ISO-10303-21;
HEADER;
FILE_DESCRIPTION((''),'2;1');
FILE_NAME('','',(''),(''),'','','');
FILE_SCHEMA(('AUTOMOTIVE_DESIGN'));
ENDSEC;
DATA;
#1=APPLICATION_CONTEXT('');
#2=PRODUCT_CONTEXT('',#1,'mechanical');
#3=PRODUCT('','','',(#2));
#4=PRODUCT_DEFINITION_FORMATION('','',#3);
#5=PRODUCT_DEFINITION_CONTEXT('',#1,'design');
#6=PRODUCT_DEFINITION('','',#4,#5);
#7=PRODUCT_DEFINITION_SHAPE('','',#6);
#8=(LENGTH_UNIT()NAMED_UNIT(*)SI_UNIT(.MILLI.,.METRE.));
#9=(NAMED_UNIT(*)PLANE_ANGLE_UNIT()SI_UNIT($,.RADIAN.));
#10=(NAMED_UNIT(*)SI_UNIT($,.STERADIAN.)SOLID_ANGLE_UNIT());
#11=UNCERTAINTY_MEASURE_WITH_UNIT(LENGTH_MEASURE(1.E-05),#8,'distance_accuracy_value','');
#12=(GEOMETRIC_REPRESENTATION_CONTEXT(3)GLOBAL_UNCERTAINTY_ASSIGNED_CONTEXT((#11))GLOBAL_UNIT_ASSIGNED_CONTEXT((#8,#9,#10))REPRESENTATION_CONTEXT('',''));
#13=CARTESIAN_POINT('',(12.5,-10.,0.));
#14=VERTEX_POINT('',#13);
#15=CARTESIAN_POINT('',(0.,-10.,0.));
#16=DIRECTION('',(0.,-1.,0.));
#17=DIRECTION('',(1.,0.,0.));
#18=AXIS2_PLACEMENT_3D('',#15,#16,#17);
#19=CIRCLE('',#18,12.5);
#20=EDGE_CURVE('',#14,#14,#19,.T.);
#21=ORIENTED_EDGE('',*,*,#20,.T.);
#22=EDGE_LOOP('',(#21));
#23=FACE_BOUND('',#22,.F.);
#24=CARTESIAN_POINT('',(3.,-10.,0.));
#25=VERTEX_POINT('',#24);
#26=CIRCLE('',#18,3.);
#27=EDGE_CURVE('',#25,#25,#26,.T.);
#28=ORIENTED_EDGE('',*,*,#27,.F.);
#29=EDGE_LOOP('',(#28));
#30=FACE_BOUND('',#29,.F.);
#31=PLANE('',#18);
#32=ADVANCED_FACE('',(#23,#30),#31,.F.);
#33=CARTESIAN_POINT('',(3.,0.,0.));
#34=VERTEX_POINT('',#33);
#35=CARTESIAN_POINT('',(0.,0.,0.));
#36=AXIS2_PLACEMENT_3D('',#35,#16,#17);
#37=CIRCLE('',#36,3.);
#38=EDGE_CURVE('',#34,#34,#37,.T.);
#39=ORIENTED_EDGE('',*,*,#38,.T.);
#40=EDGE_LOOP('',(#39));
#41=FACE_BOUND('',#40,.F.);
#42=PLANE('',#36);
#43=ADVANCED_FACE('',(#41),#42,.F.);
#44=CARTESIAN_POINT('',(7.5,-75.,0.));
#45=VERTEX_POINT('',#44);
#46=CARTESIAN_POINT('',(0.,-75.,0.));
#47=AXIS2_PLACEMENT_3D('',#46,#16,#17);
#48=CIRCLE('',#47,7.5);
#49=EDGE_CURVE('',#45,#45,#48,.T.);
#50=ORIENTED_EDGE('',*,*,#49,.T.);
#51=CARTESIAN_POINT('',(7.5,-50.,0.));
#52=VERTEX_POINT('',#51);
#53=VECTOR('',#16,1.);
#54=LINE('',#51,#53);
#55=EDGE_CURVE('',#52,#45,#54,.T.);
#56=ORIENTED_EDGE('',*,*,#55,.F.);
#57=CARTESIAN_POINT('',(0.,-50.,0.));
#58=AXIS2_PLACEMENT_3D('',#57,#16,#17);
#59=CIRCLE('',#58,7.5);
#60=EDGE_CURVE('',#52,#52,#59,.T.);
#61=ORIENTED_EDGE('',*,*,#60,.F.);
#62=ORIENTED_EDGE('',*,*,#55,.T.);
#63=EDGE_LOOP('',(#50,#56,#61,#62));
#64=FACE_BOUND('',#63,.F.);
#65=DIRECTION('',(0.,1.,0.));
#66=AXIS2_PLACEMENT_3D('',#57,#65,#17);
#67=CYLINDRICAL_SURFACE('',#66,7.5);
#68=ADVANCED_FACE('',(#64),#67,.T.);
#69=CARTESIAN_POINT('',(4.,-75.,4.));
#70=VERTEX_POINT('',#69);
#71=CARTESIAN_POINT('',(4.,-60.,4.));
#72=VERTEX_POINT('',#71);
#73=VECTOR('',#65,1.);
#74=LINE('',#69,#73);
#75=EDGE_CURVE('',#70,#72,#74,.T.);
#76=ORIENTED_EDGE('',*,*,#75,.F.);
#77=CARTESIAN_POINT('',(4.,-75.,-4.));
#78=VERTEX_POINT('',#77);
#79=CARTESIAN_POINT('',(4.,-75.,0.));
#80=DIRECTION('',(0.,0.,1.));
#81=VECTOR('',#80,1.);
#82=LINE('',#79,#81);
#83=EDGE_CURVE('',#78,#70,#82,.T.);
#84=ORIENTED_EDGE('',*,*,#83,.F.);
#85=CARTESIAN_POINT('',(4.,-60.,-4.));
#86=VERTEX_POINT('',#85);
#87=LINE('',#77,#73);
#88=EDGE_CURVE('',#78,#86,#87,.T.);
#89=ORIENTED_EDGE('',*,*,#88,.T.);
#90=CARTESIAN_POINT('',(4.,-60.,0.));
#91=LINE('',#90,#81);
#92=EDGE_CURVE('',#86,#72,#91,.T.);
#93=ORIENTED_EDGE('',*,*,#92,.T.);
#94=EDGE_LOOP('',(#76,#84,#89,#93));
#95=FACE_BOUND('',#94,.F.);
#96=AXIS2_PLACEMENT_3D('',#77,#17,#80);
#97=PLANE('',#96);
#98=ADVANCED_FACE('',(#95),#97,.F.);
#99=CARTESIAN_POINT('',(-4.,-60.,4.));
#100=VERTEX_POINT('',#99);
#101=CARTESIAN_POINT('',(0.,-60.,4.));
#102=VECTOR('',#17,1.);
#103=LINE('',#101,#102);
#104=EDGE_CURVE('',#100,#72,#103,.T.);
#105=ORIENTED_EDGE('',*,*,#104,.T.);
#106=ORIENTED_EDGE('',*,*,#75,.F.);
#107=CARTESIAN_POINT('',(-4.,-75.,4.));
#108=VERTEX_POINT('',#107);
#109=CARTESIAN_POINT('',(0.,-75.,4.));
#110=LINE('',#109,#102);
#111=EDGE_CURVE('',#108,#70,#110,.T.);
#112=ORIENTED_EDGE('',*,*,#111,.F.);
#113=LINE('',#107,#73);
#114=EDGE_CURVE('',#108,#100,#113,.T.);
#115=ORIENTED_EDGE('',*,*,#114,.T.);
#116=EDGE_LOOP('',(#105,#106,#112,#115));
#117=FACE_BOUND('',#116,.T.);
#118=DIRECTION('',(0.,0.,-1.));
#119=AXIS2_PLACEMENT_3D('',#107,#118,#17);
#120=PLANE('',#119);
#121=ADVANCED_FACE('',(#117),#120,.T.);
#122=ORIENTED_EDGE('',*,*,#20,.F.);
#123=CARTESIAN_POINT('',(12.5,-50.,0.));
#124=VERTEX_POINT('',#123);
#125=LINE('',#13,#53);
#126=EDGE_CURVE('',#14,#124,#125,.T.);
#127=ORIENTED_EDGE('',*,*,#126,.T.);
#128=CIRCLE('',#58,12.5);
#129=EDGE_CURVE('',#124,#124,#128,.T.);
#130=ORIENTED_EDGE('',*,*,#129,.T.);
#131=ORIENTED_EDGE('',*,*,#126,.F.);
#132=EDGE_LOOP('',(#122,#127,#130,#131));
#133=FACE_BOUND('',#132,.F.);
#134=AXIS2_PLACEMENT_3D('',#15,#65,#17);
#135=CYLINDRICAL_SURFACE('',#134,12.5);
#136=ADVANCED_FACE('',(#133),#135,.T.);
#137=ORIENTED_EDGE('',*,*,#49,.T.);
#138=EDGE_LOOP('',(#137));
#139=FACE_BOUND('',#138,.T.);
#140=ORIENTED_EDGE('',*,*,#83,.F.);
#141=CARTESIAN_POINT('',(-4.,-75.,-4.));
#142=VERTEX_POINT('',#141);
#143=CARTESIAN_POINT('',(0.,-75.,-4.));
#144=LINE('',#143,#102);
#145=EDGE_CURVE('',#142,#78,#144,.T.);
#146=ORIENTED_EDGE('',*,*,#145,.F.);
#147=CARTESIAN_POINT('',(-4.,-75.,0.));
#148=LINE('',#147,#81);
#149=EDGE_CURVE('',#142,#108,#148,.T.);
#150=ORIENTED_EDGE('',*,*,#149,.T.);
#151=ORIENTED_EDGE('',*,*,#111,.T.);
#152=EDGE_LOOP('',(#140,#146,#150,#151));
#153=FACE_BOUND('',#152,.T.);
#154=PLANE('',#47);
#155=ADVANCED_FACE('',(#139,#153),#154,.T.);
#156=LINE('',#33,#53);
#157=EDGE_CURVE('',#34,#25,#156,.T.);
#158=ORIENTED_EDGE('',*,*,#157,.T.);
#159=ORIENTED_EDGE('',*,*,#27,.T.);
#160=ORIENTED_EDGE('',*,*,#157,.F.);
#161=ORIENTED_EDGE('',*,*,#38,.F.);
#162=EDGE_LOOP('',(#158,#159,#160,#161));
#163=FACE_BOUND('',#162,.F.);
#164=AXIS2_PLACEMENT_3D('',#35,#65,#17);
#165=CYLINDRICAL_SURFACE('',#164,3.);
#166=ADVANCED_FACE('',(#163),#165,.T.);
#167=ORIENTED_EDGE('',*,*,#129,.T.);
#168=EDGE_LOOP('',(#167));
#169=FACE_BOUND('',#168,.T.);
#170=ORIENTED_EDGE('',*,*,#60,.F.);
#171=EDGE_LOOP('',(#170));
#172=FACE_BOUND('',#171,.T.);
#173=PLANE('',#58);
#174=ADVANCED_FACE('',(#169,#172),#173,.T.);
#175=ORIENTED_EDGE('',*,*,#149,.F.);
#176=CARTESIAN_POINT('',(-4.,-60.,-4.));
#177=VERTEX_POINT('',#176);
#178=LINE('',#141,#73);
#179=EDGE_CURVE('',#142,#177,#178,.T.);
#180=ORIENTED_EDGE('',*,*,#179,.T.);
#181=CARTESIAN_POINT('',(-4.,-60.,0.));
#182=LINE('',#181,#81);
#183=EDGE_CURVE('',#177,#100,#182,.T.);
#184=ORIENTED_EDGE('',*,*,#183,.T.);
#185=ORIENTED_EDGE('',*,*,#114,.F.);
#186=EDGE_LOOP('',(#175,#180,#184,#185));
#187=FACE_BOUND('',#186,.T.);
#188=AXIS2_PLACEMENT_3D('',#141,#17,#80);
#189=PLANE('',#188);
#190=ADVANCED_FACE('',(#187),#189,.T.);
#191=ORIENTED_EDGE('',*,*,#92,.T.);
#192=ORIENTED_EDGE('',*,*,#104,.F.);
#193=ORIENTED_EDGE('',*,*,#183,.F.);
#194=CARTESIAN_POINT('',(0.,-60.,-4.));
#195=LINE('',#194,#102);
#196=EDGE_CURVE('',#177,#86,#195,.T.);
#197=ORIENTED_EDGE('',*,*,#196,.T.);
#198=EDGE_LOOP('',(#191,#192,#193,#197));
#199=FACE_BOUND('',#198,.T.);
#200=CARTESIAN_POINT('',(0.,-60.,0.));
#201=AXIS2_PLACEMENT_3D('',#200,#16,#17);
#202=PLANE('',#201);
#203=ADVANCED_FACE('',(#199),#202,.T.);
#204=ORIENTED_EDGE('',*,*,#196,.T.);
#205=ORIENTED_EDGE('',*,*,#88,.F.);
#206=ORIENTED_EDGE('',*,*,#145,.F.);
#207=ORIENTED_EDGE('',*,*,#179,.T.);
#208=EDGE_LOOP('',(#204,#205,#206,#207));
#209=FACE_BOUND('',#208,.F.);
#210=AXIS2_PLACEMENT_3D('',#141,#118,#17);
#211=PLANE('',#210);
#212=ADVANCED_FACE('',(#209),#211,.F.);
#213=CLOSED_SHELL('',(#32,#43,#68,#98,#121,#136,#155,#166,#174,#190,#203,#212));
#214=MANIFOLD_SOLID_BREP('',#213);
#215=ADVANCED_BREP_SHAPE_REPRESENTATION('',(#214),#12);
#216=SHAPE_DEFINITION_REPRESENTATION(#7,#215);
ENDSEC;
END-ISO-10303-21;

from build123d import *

# Parameters (mm, degrees)
F0_R     = 3
F1_DEPTH = 10
F2_R     = 12.5
F2_R_2   = 3
F3_DEPTH = 40
F4_R     = 7.5
F5_DEPTH = 25
F6_W     = 8
F6_H     = 8
F7_DEPTH = 15


with BuildPart() as f1:
    # F0 (on Front) → F1 (new body)
    with BuildSketch(Plane.XZ):
        Circle(F0_R)
    extrude(amount=F1_DEPTH)

    # F2 (on face) → F3 (join)
    with BuildSketch(Plane.XZ.offset(10)):
        Circle(F2_R)
        Circle(F2_R_2, mode=Mode.SUBTRACT)
        Circle(F2_R_2)
    extrude(amount=F3_DEPTH)

    # F4 (on face) → F5 (join)
    with BuildSketch(Plane.XZ.offset(50)):
        Circle(F4_R)
    extrude(amount=F5_DEPTH)

    # F6 (on face) → F7 (cut)
    with BuildSketch(Plane.XZ.offset(75)):
        Rectangle(F6_W, F6_H)
    extrude(amount=-F7_DEPTH, mode=Mode.SUBTRACT)


solid = f1.part
